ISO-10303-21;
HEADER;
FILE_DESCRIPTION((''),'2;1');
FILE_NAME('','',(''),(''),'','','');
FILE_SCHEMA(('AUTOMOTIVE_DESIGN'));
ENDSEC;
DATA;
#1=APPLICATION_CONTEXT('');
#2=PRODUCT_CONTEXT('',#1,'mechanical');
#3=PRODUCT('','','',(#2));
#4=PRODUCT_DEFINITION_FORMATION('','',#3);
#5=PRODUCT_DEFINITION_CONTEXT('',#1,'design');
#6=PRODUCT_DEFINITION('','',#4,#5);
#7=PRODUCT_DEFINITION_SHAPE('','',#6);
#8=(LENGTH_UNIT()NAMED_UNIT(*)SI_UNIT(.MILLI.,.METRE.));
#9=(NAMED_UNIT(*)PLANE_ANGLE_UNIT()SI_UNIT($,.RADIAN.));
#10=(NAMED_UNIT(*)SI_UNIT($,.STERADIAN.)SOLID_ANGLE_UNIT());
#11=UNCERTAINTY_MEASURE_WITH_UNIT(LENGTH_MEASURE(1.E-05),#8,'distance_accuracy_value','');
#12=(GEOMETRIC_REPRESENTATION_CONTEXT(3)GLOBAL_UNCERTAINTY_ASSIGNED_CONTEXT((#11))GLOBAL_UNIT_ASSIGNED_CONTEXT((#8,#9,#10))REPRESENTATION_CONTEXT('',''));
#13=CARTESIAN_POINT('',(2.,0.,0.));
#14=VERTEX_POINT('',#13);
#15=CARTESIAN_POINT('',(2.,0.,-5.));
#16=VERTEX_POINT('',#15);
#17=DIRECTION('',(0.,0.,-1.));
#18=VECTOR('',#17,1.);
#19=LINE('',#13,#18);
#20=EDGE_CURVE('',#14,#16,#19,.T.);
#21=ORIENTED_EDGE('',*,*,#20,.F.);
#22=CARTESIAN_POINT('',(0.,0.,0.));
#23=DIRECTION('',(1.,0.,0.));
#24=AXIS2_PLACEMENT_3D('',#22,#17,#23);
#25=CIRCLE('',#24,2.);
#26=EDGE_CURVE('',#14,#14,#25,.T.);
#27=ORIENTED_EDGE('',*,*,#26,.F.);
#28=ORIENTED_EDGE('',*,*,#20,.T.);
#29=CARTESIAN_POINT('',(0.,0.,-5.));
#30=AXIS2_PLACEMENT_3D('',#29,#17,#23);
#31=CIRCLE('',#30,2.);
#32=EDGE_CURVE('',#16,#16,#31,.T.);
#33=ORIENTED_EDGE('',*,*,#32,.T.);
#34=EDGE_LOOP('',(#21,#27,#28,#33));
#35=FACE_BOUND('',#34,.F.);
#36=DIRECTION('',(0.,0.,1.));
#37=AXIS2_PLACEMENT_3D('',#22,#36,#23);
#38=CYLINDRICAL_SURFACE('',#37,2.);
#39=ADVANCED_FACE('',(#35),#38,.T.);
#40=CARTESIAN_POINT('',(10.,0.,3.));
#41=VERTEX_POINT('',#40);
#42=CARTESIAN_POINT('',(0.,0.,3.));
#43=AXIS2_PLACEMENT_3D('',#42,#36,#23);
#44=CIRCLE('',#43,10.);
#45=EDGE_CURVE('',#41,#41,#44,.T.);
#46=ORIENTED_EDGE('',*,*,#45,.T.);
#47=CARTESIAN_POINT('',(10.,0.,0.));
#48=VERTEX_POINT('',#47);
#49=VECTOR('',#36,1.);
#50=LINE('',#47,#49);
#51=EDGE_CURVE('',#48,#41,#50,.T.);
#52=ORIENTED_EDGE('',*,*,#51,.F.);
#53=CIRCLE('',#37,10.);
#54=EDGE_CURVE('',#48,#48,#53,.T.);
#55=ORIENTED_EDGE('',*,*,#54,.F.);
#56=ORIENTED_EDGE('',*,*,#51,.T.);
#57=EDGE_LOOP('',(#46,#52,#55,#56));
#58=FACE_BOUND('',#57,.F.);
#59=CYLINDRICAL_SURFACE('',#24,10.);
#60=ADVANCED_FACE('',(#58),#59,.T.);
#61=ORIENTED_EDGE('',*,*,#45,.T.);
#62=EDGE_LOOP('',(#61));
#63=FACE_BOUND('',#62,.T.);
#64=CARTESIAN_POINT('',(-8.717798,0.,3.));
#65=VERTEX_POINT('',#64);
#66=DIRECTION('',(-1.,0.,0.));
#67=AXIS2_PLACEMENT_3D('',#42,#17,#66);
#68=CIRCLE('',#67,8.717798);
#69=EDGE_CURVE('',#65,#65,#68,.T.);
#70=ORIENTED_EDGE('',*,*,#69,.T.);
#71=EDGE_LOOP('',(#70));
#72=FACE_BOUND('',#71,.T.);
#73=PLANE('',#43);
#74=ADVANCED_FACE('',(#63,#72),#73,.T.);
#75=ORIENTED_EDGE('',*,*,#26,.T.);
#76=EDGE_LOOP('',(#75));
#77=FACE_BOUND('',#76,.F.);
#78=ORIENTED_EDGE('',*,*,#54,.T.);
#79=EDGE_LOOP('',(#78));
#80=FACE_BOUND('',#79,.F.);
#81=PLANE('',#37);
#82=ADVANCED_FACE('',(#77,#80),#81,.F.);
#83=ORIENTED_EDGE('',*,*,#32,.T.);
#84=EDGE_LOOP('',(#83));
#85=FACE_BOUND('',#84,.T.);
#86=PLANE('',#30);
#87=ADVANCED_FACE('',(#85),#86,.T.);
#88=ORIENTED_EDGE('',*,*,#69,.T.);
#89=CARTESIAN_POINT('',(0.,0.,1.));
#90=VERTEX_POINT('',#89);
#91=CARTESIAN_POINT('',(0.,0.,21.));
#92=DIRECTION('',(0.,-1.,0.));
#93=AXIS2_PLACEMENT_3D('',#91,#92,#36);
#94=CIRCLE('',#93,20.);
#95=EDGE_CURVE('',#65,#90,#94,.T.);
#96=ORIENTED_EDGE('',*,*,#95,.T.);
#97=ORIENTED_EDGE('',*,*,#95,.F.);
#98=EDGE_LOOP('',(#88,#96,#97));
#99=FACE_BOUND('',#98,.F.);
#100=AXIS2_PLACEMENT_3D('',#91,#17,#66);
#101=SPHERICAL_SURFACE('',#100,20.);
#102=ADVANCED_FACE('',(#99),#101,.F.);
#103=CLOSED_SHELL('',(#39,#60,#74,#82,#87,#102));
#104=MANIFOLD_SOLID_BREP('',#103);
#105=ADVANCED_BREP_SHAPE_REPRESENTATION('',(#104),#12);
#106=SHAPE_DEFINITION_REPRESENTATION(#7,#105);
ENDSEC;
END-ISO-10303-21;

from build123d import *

# Parameters (mm, degrees)
F0_R     = 10
F1_DEPTH = 3
F4_R     = 2
F5_DEPTH = 5


with BuildPart() as f1:
    # F0 (on Top) → F1 (new body)
    with BuildSketch(Plane.XY):
        Circle(F0_R)
    extrude(amount=F1_DEPTH)

    # F2 (on Front) → F3 (revolve, cut)
    with BuildSketch(Plane.XZ):
        with BuildLine():
            Line((0, 1), (0, 41))
            ThreePointArc((0, 41), (-20, 21), (0, 1))
        make_face()
    revolve(axis=Axis((0, 0, 27.434054), (0, 0, -1)), mode=Mode.SUBTRACT)

    # F4 (on face) → F5 (join)
    with BuildSketch(Plane(origin=(0, 0, 0), x_dir=(1, 0, 0), z_dir=(0, 0, -1))):
        Circle(F4_R)
    extrude(amount=F5_DEPTH)


solid = f1.part
